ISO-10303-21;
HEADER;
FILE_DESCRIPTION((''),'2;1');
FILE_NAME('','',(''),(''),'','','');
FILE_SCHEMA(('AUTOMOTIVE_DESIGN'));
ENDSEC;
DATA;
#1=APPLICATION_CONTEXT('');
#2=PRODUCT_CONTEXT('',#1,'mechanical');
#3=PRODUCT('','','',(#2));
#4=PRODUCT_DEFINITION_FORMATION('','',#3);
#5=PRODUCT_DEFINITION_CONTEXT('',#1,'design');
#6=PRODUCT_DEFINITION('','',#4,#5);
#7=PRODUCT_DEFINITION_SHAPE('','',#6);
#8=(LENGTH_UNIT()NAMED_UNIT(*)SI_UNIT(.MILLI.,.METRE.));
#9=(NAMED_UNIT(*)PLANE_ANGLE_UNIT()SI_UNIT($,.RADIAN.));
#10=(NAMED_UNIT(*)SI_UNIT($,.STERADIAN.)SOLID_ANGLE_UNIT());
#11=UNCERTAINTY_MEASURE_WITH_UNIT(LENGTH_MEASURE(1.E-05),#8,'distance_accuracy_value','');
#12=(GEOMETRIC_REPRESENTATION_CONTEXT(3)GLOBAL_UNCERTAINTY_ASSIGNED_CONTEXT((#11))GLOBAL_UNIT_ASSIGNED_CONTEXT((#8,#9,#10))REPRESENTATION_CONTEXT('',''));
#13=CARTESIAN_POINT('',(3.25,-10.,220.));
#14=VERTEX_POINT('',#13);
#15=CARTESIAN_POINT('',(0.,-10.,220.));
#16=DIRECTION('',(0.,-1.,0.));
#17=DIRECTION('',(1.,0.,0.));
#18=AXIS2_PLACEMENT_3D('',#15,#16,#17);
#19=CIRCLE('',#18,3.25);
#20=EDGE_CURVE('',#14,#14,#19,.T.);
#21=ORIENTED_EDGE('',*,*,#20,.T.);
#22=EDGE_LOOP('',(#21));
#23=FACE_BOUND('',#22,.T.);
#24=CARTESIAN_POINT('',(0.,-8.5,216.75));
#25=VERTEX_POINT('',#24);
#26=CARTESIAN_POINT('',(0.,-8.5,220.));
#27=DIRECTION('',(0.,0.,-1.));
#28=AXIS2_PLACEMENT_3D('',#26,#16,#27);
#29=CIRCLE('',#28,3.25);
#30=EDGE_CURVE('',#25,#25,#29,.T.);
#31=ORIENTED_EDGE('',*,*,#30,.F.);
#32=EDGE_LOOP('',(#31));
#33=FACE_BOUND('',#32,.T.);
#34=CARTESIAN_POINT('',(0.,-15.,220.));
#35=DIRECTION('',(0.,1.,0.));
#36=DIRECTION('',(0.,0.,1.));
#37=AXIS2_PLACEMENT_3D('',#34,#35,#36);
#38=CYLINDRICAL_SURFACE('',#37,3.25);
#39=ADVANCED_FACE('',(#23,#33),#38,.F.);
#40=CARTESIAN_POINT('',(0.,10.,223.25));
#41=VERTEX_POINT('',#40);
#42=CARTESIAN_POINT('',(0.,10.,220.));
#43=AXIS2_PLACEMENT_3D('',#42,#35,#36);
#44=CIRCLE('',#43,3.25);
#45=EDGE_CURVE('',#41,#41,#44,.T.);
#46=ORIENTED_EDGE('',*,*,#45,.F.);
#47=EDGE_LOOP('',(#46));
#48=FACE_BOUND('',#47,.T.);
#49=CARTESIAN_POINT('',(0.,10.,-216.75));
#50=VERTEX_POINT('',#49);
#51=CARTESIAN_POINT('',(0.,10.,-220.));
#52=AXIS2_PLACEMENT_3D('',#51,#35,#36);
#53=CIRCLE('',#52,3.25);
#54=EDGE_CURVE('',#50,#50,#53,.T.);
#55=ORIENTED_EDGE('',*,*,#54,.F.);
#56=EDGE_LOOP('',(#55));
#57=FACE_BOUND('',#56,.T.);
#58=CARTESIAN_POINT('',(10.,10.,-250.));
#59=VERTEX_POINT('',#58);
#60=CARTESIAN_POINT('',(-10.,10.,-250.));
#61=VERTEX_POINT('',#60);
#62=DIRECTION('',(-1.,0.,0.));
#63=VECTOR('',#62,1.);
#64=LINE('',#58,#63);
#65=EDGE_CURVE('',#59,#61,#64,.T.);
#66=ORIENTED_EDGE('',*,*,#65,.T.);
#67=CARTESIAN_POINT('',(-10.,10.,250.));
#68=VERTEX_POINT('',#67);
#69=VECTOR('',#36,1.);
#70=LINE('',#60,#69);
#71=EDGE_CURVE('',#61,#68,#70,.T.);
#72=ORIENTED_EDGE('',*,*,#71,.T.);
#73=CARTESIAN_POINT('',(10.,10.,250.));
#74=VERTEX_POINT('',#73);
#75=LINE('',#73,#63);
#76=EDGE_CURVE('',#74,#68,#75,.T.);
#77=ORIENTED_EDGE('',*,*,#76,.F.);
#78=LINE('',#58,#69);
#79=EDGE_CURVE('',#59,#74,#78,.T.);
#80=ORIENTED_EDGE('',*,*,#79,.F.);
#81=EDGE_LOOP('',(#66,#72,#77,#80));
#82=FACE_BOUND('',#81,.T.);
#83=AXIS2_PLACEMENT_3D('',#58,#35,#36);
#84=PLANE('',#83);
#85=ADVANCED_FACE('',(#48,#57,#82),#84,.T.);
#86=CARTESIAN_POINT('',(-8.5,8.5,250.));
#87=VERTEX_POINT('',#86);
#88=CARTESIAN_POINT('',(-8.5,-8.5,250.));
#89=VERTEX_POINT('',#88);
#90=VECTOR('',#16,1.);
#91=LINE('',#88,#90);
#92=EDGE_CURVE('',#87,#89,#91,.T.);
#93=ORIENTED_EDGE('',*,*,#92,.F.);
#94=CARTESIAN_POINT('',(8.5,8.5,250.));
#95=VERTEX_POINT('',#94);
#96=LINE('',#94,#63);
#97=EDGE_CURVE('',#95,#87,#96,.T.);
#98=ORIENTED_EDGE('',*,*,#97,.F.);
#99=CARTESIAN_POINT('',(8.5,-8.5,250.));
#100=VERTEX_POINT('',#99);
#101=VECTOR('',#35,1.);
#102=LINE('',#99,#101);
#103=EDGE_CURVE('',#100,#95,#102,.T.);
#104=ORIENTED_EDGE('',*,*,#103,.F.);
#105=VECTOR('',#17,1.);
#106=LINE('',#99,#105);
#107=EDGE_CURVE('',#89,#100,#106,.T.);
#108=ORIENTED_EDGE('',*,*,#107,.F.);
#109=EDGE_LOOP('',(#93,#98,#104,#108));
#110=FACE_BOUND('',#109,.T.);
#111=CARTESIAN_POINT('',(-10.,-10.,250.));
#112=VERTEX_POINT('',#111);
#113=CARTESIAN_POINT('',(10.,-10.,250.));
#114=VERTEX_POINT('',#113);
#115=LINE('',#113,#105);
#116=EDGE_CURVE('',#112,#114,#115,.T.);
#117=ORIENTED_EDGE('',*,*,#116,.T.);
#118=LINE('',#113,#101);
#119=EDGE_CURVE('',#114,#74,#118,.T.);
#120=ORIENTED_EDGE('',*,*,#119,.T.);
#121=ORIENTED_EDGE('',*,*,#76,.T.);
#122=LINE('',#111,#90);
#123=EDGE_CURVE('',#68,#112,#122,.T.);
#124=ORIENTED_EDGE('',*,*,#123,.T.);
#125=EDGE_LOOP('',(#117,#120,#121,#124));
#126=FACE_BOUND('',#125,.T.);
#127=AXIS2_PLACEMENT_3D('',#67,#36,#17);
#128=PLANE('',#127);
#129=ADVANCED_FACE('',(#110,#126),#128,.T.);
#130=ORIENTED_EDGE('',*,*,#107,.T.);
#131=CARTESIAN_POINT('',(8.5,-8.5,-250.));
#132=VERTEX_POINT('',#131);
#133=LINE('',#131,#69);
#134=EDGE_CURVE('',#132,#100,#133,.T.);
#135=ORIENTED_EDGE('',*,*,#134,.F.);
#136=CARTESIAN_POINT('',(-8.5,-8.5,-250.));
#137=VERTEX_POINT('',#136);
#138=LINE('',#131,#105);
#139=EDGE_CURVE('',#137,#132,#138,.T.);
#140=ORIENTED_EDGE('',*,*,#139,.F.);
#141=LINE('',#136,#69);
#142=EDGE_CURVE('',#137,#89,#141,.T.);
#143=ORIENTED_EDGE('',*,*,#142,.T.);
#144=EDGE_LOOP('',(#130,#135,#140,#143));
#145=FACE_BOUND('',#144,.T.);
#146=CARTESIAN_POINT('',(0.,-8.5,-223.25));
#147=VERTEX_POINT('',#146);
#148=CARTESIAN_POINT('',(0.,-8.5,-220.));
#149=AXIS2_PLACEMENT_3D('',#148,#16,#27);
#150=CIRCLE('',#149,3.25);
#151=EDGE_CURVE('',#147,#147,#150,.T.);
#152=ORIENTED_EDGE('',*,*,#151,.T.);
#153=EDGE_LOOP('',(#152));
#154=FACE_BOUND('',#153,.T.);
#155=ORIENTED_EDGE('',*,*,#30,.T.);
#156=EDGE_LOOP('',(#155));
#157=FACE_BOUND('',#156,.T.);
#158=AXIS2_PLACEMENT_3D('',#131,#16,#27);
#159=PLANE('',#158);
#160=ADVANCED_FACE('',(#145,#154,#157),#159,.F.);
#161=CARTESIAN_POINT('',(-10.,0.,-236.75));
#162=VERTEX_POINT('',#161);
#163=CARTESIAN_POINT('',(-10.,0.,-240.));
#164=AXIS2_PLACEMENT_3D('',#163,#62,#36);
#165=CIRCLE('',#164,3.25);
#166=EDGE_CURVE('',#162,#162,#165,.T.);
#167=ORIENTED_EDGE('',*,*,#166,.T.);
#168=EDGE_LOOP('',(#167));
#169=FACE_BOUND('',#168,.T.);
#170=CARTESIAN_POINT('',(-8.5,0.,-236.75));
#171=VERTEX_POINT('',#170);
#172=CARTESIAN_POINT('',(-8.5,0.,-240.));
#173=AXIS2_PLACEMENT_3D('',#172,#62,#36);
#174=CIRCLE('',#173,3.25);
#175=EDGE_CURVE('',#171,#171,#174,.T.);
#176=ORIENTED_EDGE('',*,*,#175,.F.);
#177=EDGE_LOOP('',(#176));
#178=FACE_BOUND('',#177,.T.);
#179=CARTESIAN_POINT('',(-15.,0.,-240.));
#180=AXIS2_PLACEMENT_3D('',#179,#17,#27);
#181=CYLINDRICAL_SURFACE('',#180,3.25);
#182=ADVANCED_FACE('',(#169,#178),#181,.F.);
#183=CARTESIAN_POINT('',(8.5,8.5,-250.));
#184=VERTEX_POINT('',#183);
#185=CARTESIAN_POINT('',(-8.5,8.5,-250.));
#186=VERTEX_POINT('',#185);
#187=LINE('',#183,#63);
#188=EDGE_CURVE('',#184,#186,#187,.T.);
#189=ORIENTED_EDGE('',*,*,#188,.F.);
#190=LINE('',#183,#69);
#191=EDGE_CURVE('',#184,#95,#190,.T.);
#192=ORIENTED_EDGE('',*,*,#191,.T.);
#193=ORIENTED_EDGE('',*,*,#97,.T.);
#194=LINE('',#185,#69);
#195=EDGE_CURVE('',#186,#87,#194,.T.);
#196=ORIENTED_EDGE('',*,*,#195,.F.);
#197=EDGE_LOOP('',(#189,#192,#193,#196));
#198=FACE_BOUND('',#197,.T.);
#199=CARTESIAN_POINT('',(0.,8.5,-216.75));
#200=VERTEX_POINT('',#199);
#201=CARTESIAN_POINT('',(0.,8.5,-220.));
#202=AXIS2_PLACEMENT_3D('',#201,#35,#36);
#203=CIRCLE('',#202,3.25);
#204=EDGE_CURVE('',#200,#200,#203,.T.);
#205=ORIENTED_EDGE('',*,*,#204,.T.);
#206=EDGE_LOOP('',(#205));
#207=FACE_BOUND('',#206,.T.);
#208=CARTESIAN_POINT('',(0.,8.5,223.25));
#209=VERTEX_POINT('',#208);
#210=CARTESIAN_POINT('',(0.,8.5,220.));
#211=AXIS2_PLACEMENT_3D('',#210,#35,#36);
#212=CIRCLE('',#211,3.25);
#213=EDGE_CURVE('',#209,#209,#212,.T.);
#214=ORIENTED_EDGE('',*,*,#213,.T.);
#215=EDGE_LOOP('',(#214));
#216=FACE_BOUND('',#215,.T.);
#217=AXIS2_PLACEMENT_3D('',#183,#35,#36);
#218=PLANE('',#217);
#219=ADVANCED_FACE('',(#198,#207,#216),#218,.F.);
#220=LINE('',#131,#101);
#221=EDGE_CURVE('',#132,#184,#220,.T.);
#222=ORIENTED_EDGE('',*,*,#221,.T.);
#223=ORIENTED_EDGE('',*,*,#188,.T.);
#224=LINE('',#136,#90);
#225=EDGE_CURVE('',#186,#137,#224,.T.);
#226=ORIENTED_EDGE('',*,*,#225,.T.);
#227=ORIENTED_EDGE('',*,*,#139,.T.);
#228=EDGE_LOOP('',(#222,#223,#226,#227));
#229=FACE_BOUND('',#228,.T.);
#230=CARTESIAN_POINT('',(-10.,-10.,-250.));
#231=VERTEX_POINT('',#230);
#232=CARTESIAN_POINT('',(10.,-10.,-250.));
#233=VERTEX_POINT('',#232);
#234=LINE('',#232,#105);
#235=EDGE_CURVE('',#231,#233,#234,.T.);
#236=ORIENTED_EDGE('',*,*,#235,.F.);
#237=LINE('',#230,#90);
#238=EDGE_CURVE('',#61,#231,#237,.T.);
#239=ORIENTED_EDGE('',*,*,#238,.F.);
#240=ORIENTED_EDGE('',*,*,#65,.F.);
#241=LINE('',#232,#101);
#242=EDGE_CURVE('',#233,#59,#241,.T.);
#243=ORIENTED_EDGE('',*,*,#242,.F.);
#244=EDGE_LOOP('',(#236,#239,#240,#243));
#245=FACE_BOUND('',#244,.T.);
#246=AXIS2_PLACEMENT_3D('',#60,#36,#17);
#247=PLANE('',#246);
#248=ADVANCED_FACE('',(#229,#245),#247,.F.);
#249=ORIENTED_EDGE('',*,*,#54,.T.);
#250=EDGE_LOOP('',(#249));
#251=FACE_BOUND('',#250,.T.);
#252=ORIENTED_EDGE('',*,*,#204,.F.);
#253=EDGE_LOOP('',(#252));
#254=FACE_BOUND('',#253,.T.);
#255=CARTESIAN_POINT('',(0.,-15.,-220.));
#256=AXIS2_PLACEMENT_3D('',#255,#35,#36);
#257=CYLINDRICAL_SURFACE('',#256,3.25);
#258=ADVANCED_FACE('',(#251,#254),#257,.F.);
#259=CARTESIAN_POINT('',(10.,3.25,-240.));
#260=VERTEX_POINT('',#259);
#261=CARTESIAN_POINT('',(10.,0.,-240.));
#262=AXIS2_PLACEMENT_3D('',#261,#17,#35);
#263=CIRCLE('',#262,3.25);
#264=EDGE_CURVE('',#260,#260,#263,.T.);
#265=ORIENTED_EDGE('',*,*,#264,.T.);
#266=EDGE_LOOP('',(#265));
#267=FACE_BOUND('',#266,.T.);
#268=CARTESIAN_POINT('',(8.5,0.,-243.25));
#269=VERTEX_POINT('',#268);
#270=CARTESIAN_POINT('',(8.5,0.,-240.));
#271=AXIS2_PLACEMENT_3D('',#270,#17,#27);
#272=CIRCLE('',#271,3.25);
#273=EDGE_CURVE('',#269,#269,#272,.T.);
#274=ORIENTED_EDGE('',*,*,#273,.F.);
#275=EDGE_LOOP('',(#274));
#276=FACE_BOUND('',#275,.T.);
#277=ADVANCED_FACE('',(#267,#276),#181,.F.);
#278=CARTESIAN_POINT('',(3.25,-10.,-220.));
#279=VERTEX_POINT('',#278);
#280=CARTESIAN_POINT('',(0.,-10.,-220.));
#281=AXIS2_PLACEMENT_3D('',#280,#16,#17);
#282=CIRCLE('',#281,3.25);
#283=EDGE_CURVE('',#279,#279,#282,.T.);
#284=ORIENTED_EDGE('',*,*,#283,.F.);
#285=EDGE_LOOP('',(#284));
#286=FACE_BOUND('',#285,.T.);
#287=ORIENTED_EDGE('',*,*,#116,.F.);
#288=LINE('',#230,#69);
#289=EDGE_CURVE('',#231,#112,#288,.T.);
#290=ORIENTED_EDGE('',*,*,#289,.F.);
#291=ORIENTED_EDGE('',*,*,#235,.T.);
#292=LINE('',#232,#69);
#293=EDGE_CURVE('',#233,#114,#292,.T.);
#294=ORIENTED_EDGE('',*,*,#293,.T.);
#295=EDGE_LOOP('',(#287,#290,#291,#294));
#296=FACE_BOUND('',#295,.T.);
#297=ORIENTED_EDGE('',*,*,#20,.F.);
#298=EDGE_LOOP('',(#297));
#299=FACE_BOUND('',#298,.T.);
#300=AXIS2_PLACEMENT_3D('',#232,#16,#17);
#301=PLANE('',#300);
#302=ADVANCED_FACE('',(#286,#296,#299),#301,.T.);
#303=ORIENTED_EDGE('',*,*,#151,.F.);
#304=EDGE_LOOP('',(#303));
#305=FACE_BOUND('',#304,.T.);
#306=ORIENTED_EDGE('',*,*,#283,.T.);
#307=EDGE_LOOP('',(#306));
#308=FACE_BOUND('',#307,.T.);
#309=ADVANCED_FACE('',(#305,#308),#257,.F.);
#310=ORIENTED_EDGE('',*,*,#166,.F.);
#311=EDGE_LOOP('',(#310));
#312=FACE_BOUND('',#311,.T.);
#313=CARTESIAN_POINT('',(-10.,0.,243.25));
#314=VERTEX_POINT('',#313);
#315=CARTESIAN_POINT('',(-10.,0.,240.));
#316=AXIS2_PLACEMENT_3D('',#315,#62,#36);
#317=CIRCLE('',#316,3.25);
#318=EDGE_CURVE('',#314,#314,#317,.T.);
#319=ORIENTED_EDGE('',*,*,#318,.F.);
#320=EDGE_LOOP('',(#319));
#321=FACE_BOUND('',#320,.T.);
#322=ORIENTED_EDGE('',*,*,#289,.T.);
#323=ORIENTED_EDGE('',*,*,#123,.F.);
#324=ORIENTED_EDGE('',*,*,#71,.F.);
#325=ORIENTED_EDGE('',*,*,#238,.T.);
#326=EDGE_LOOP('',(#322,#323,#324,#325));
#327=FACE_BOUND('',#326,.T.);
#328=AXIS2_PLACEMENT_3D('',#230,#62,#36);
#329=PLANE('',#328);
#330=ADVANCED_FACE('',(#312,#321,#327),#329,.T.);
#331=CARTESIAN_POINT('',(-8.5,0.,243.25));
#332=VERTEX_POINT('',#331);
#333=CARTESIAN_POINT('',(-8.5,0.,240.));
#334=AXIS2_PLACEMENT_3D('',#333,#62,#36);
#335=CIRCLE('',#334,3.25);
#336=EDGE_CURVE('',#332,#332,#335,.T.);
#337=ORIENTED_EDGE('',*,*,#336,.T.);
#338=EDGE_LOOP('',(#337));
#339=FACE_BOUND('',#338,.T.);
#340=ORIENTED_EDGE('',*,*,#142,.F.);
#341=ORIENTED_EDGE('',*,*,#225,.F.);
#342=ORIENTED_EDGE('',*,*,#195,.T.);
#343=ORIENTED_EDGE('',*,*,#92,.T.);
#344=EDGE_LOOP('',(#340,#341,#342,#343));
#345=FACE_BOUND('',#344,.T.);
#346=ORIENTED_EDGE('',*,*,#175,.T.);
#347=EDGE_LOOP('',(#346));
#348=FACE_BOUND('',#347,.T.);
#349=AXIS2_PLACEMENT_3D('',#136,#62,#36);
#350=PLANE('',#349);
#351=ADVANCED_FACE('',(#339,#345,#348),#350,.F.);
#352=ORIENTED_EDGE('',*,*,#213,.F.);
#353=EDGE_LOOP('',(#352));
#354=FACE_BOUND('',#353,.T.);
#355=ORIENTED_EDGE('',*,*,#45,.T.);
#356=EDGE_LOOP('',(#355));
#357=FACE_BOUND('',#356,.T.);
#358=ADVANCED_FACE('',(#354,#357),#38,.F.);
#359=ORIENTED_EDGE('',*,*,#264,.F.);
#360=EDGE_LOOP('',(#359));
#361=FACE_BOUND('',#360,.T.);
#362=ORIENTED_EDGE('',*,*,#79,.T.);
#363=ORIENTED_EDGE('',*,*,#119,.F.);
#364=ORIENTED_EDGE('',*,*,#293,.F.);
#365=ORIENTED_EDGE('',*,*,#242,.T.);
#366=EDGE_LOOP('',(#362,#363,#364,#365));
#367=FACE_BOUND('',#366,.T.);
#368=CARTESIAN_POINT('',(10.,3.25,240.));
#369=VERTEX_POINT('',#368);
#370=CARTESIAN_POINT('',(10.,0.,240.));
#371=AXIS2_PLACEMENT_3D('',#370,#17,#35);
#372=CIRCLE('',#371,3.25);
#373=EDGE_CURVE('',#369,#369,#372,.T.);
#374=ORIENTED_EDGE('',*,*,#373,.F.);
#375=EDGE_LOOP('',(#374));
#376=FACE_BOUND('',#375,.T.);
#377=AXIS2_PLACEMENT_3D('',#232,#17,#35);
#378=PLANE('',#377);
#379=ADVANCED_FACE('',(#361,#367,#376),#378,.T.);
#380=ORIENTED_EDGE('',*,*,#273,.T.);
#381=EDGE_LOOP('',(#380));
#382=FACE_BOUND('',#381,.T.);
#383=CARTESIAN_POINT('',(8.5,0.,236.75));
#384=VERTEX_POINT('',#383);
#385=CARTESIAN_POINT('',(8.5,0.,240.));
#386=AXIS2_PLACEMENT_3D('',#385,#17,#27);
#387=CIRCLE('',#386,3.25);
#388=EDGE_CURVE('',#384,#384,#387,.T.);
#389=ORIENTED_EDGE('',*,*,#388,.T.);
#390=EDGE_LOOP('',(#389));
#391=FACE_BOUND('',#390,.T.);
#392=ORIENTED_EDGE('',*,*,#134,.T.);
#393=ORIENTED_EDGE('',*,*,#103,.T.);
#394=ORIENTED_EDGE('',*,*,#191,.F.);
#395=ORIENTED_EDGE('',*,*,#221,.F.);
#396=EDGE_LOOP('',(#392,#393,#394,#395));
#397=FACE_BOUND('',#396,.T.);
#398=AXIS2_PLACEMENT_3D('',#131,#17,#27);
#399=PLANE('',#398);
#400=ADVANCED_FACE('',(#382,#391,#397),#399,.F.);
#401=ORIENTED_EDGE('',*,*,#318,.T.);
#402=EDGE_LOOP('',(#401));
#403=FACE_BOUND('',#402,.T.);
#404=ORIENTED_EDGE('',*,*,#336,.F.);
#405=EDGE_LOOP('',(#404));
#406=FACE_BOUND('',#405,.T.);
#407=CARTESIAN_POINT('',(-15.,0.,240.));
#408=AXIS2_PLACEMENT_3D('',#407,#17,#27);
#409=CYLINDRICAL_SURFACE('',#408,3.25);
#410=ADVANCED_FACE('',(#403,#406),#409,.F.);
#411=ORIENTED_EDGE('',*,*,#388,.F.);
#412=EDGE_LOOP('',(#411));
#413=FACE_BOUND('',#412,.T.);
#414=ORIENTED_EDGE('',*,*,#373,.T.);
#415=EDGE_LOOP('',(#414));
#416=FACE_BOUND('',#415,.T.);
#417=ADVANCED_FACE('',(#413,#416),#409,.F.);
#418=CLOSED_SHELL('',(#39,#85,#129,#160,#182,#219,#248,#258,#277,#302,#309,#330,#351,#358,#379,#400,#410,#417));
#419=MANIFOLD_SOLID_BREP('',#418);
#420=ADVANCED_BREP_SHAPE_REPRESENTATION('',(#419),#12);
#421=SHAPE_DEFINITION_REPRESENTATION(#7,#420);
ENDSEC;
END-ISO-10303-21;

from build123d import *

# Parameters (mm, degrees)
SKIZZE1_W                       = 20
SKIZZE1_H                       = 20
SKIZZE1_W_2                     = 17
SKIZZE1_H_2                     = 17
AUFSATZ_LINEAR_AUSTRAGEN1_DEPTH = 250
SKIZZE2_R                       = 3.25
SCHNITT_LINEAR_AUSTRAGEN1_DEPTH = 15
SKIZZE3_R                       = 3.25
SCHNITT_LINEAR_AUSTRAGEN2_DEPTH = 15


with BuildPart() as part:
    # Skizze1 → Aufsatz-Linear austragen1 (new, symmetric)
    with BuildSketch(Plane.XY):
        Rectangle(SKIZZE1_W, SKIZZE1_H)
        Rectangle(SKIZZE1_W_2, SKIZZE1_H_2, mode=Mode.SUBTRACT)
    extrude(amount=AUFSATZ_LINEAR_AUSTRAGEN1_DEPTH, both=True)

    # Skizze2 → Schnitt-Linear austragen1 (cut, symmetric)
    with BuildSketch(Plane(origin=(0, 0, 0), x_dir=(1, 0, 0), z_dir=(0, 1, 0))):
        with Locations((0, -220)):
            Circle(SKIZZE2_R)
        with Locations((0, 220)):
            Circle(SKIZZE2_R)
    extrude(amount=SCHNITT_LINEAR_AUSTRAGEN1_DEPTH, both=True, mode=Mode.SUBTRACT)

    # Skizze3 → Schnitt-Linear austragen2 (cut, symmetric)
    with BuildSketch(Plane(origin=(0, 0, 0), x_dir=(0, 0, -1), z_dir=(1, 0, 0))):
        with Locations((-240, 0)):
            Circle(SKIZZE3_R)
        with Locations((240, 0)):
            Circle(SKIZZE3_R)
    extrude(amount=SCHNITT_LINEAR_AUSTRAGEN2_DEPTH, both=True, mode=Mode.SUBTRACT)


solid = part.part
